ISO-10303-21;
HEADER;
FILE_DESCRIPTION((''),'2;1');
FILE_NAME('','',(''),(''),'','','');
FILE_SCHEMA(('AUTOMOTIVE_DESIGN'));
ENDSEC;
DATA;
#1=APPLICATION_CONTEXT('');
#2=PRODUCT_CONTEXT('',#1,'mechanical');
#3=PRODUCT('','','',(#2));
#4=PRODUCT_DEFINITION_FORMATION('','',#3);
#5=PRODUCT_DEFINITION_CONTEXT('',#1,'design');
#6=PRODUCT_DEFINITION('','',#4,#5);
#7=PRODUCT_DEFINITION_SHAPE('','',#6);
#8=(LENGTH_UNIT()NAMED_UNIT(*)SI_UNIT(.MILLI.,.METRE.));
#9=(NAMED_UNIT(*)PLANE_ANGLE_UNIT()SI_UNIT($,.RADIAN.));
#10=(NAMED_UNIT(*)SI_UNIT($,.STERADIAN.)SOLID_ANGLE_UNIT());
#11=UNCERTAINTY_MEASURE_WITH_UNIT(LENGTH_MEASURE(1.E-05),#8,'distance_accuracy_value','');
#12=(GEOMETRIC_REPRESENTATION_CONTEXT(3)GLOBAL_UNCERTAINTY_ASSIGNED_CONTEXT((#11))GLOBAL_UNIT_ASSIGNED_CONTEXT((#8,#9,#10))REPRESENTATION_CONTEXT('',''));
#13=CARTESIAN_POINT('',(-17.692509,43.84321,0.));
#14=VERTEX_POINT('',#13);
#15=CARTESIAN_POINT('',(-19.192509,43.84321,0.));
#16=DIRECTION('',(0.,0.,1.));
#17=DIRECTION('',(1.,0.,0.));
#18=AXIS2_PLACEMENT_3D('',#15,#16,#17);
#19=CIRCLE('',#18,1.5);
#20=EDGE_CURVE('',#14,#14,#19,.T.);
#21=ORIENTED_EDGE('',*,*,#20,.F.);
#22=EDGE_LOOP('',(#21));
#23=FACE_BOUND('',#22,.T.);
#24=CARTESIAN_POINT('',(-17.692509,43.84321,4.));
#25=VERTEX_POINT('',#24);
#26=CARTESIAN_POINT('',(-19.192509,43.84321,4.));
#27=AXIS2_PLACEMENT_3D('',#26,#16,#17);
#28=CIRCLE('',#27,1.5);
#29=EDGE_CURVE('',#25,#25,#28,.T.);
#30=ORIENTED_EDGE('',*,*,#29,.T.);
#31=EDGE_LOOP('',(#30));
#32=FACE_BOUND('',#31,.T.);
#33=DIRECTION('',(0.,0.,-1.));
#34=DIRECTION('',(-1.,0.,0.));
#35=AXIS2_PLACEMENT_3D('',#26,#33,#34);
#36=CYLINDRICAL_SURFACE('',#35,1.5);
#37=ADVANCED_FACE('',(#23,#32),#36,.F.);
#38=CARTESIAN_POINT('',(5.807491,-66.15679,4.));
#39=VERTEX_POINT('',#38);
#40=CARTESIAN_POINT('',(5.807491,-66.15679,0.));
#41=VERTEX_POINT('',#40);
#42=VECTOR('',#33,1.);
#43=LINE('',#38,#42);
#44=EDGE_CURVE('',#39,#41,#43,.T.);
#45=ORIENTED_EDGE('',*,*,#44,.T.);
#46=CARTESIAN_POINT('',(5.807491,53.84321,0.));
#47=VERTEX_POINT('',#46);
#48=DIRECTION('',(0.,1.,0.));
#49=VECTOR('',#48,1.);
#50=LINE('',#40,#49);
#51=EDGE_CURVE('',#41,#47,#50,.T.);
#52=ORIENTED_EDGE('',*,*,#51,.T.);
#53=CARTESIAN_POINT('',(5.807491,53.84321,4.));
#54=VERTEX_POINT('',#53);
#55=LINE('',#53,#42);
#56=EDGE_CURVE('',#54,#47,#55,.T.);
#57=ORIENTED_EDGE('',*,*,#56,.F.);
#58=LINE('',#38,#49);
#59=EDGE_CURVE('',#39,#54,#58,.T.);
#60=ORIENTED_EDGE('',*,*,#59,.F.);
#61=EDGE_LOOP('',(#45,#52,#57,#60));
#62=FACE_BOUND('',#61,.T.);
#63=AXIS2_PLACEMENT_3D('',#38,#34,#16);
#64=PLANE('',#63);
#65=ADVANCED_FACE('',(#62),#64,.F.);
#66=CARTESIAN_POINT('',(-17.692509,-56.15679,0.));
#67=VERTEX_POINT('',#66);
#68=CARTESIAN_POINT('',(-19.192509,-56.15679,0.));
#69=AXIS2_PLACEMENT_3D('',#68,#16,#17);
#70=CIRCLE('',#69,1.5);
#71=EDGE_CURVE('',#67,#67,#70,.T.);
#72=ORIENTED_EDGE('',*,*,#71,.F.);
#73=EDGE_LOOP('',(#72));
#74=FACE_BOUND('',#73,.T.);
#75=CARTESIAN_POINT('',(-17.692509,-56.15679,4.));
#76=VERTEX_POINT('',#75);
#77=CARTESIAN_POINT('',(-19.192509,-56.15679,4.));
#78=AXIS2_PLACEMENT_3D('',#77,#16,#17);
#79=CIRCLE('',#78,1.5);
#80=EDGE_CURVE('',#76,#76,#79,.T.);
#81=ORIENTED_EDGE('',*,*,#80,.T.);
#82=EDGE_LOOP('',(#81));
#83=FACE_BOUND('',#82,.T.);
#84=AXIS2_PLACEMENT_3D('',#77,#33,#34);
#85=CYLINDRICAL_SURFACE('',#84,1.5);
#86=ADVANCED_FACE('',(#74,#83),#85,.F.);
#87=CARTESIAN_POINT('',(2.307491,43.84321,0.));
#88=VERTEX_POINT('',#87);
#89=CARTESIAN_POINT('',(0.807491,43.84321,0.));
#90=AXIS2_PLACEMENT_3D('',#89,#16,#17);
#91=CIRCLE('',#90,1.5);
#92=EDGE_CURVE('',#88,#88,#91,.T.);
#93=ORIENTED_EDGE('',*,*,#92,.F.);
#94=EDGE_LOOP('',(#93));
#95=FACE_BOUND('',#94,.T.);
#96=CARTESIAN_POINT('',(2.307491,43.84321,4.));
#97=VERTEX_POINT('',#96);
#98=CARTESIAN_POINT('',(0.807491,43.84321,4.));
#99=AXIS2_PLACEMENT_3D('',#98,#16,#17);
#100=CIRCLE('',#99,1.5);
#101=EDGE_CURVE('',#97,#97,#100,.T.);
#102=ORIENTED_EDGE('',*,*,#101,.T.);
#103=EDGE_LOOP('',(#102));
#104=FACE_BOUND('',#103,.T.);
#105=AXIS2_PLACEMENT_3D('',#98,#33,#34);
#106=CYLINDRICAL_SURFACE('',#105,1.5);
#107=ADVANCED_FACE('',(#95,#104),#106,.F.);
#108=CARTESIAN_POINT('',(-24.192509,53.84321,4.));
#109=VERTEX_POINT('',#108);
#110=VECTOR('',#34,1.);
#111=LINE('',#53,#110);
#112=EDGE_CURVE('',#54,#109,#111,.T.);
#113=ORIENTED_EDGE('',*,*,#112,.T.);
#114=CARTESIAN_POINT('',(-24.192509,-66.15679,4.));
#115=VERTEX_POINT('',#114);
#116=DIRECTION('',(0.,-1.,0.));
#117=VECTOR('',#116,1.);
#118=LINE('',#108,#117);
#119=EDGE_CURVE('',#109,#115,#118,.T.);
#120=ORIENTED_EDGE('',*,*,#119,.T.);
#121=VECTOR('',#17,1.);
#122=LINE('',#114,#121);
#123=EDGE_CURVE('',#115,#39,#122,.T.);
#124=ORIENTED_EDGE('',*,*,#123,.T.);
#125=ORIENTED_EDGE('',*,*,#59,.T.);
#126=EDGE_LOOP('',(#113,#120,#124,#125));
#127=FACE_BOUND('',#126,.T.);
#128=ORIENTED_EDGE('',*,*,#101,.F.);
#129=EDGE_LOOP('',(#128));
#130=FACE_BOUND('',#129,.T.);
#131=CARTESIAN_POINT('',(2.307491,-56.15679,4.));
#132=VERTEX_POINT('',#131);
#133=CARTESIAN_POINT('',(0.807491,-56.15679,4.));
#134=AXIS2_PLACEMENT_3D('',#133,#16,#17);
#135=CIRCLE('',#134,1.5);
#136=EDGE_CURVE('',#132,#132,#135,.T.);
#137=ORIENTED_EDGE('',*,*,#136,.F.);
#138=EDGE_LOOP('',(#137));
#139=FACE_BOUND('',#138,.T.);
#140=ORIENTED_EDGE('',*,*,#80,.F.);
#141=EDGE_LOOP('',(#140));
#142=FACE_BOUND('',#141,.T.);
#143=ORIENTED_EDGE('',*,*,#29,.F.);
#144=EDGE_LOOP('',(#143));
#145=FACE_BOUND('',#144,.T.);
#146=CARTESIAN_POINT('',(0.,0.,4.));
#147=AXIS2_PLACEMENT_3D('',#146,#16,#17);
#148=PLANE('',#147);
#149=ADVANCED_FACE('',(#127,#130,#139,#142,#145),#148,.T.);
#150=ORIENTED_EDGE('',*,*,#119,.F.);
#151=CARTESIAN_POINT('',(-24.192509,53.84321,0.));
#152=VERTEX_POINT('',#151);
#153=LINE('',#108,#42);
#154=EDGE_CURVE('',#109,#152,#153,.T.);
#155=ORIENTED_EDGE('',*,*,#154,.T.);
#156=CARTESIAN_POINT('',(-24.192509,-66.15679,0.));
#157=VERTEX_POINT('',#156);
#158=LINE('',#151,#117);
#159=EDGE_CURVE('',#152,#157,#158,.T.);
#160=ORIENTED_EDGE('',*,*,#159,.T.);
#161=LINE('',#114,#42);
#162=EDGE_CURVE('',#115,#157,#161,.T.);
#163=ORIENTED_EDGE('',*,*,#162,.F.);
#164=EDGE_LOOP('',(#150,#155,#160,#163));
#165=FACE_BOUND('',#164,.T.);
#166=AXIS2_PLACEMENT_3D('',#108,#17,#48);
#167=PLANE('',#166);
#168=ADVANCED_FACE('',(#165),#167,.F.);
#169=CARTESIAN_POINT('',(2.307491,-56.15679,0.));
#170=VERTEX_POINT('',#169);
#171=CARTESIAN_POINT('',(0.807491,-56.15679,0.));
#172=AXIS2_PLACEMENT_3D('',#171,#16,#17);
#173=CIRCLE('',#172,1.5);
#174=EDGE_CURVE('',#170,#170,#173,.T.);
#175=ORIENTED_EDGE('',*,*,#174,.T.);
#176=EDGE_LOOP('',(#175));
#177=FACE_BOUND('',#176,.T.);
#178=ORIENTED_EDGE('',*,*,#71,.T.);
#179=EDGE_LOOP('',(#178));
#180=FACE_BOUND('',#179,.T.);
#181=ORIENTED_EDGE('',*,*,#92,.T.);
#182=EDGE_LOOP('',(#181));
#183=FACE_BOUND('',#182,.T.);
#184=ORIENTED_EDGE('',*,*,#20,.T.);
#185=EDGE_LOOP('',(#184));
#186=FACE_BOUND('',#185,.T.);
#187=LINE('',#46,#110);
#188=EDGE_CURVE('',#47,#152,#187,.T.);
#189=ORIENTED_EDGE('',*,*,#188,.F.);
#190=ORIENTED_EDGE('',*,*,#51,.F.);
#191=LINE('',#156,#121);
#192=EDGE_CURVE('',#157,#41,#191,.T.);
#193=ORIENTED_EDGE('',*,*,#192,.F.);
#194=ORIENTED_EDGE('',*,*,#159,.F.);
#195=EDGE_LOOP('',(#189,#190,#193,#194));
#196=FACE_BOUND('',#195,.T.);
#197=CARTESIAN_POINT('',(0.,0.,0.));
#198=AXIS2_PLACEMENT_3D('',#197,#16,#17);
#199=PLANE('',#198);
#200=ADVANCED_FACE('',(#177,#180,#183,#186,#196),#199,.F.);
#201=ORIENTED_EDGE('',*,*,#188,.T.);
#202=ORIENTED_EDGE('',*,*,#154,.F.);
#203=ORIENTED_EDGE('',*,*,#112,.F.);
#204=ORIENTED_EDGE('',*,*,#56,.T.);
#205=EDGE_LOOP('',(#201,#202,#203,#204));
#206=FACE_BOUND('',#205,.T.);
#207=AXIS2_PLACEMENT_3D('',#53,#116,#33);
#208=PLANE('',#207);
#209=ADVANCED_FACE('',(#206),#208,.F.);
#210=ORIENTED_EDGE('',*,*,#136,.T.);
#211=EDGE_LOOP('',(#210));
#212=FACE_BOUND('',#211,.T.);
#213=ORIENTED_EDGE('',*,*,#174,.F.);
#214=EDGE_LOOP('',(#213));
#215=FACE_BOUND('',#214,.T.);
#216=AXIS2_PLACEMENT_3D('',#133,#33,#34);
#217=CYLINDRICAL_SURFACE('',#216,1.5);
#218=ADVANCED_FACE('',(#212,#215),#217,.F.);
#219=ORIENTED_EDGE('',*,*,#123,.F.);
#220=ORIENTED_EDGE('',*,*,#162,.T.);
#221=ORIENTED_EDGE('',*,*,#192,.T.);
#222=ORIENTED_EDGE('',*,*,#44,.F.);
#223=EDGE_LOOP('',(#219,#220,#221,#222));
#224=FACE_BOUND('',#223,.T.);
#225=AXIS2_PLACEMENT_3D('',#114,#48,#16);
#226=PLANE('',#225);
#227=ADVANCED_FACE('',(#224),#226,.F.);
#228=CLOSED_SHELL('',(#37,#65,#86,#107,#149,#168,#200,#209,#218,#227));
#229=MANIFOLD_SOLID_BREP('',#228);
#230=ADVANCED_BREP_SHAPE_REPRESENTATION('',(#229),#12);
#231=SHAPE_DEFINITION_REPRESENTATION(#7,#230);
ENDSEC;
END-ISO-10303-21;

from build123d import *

# Parameters (mm, degrees)
SKETCH_1_W      = 30
SKETCH_1_H      = 120
SKETCH_1_R      = 1.5
EXTRUDE_1_DEPTH = 4


with BuildPart() as part:
    # 草图1 → 凸台-拉伸1 (new body)
    with BuildSketch(Plane.XY):
        with Locations((-9.19250872, -6.156790186)):
            Rectangle(SKETCH_1_W, SKETCH_1_H)
        with Locations((-19.19250872, -56.156790186)):
            Circle(SKETCH_1_R, mode=Mode.SUBTRACT)
        with Locations((0.80749128, -56.156790186)):
            Circle(SKETCH_1_R, mode=Mode.SUBTRACT)
        with Locations((0.80749128, 43.843209814)):
            Circle(SKETCH_1_R, mode=Mode.SUBTRACT)
        with Locations((-19.19250872, 43.843209814)):
            Circle(SKETCH_1_R, mode=Mode.SUBTRACT)
    extrude(amount=EXTRUDE_1_DEPTH)


solid = part.part
